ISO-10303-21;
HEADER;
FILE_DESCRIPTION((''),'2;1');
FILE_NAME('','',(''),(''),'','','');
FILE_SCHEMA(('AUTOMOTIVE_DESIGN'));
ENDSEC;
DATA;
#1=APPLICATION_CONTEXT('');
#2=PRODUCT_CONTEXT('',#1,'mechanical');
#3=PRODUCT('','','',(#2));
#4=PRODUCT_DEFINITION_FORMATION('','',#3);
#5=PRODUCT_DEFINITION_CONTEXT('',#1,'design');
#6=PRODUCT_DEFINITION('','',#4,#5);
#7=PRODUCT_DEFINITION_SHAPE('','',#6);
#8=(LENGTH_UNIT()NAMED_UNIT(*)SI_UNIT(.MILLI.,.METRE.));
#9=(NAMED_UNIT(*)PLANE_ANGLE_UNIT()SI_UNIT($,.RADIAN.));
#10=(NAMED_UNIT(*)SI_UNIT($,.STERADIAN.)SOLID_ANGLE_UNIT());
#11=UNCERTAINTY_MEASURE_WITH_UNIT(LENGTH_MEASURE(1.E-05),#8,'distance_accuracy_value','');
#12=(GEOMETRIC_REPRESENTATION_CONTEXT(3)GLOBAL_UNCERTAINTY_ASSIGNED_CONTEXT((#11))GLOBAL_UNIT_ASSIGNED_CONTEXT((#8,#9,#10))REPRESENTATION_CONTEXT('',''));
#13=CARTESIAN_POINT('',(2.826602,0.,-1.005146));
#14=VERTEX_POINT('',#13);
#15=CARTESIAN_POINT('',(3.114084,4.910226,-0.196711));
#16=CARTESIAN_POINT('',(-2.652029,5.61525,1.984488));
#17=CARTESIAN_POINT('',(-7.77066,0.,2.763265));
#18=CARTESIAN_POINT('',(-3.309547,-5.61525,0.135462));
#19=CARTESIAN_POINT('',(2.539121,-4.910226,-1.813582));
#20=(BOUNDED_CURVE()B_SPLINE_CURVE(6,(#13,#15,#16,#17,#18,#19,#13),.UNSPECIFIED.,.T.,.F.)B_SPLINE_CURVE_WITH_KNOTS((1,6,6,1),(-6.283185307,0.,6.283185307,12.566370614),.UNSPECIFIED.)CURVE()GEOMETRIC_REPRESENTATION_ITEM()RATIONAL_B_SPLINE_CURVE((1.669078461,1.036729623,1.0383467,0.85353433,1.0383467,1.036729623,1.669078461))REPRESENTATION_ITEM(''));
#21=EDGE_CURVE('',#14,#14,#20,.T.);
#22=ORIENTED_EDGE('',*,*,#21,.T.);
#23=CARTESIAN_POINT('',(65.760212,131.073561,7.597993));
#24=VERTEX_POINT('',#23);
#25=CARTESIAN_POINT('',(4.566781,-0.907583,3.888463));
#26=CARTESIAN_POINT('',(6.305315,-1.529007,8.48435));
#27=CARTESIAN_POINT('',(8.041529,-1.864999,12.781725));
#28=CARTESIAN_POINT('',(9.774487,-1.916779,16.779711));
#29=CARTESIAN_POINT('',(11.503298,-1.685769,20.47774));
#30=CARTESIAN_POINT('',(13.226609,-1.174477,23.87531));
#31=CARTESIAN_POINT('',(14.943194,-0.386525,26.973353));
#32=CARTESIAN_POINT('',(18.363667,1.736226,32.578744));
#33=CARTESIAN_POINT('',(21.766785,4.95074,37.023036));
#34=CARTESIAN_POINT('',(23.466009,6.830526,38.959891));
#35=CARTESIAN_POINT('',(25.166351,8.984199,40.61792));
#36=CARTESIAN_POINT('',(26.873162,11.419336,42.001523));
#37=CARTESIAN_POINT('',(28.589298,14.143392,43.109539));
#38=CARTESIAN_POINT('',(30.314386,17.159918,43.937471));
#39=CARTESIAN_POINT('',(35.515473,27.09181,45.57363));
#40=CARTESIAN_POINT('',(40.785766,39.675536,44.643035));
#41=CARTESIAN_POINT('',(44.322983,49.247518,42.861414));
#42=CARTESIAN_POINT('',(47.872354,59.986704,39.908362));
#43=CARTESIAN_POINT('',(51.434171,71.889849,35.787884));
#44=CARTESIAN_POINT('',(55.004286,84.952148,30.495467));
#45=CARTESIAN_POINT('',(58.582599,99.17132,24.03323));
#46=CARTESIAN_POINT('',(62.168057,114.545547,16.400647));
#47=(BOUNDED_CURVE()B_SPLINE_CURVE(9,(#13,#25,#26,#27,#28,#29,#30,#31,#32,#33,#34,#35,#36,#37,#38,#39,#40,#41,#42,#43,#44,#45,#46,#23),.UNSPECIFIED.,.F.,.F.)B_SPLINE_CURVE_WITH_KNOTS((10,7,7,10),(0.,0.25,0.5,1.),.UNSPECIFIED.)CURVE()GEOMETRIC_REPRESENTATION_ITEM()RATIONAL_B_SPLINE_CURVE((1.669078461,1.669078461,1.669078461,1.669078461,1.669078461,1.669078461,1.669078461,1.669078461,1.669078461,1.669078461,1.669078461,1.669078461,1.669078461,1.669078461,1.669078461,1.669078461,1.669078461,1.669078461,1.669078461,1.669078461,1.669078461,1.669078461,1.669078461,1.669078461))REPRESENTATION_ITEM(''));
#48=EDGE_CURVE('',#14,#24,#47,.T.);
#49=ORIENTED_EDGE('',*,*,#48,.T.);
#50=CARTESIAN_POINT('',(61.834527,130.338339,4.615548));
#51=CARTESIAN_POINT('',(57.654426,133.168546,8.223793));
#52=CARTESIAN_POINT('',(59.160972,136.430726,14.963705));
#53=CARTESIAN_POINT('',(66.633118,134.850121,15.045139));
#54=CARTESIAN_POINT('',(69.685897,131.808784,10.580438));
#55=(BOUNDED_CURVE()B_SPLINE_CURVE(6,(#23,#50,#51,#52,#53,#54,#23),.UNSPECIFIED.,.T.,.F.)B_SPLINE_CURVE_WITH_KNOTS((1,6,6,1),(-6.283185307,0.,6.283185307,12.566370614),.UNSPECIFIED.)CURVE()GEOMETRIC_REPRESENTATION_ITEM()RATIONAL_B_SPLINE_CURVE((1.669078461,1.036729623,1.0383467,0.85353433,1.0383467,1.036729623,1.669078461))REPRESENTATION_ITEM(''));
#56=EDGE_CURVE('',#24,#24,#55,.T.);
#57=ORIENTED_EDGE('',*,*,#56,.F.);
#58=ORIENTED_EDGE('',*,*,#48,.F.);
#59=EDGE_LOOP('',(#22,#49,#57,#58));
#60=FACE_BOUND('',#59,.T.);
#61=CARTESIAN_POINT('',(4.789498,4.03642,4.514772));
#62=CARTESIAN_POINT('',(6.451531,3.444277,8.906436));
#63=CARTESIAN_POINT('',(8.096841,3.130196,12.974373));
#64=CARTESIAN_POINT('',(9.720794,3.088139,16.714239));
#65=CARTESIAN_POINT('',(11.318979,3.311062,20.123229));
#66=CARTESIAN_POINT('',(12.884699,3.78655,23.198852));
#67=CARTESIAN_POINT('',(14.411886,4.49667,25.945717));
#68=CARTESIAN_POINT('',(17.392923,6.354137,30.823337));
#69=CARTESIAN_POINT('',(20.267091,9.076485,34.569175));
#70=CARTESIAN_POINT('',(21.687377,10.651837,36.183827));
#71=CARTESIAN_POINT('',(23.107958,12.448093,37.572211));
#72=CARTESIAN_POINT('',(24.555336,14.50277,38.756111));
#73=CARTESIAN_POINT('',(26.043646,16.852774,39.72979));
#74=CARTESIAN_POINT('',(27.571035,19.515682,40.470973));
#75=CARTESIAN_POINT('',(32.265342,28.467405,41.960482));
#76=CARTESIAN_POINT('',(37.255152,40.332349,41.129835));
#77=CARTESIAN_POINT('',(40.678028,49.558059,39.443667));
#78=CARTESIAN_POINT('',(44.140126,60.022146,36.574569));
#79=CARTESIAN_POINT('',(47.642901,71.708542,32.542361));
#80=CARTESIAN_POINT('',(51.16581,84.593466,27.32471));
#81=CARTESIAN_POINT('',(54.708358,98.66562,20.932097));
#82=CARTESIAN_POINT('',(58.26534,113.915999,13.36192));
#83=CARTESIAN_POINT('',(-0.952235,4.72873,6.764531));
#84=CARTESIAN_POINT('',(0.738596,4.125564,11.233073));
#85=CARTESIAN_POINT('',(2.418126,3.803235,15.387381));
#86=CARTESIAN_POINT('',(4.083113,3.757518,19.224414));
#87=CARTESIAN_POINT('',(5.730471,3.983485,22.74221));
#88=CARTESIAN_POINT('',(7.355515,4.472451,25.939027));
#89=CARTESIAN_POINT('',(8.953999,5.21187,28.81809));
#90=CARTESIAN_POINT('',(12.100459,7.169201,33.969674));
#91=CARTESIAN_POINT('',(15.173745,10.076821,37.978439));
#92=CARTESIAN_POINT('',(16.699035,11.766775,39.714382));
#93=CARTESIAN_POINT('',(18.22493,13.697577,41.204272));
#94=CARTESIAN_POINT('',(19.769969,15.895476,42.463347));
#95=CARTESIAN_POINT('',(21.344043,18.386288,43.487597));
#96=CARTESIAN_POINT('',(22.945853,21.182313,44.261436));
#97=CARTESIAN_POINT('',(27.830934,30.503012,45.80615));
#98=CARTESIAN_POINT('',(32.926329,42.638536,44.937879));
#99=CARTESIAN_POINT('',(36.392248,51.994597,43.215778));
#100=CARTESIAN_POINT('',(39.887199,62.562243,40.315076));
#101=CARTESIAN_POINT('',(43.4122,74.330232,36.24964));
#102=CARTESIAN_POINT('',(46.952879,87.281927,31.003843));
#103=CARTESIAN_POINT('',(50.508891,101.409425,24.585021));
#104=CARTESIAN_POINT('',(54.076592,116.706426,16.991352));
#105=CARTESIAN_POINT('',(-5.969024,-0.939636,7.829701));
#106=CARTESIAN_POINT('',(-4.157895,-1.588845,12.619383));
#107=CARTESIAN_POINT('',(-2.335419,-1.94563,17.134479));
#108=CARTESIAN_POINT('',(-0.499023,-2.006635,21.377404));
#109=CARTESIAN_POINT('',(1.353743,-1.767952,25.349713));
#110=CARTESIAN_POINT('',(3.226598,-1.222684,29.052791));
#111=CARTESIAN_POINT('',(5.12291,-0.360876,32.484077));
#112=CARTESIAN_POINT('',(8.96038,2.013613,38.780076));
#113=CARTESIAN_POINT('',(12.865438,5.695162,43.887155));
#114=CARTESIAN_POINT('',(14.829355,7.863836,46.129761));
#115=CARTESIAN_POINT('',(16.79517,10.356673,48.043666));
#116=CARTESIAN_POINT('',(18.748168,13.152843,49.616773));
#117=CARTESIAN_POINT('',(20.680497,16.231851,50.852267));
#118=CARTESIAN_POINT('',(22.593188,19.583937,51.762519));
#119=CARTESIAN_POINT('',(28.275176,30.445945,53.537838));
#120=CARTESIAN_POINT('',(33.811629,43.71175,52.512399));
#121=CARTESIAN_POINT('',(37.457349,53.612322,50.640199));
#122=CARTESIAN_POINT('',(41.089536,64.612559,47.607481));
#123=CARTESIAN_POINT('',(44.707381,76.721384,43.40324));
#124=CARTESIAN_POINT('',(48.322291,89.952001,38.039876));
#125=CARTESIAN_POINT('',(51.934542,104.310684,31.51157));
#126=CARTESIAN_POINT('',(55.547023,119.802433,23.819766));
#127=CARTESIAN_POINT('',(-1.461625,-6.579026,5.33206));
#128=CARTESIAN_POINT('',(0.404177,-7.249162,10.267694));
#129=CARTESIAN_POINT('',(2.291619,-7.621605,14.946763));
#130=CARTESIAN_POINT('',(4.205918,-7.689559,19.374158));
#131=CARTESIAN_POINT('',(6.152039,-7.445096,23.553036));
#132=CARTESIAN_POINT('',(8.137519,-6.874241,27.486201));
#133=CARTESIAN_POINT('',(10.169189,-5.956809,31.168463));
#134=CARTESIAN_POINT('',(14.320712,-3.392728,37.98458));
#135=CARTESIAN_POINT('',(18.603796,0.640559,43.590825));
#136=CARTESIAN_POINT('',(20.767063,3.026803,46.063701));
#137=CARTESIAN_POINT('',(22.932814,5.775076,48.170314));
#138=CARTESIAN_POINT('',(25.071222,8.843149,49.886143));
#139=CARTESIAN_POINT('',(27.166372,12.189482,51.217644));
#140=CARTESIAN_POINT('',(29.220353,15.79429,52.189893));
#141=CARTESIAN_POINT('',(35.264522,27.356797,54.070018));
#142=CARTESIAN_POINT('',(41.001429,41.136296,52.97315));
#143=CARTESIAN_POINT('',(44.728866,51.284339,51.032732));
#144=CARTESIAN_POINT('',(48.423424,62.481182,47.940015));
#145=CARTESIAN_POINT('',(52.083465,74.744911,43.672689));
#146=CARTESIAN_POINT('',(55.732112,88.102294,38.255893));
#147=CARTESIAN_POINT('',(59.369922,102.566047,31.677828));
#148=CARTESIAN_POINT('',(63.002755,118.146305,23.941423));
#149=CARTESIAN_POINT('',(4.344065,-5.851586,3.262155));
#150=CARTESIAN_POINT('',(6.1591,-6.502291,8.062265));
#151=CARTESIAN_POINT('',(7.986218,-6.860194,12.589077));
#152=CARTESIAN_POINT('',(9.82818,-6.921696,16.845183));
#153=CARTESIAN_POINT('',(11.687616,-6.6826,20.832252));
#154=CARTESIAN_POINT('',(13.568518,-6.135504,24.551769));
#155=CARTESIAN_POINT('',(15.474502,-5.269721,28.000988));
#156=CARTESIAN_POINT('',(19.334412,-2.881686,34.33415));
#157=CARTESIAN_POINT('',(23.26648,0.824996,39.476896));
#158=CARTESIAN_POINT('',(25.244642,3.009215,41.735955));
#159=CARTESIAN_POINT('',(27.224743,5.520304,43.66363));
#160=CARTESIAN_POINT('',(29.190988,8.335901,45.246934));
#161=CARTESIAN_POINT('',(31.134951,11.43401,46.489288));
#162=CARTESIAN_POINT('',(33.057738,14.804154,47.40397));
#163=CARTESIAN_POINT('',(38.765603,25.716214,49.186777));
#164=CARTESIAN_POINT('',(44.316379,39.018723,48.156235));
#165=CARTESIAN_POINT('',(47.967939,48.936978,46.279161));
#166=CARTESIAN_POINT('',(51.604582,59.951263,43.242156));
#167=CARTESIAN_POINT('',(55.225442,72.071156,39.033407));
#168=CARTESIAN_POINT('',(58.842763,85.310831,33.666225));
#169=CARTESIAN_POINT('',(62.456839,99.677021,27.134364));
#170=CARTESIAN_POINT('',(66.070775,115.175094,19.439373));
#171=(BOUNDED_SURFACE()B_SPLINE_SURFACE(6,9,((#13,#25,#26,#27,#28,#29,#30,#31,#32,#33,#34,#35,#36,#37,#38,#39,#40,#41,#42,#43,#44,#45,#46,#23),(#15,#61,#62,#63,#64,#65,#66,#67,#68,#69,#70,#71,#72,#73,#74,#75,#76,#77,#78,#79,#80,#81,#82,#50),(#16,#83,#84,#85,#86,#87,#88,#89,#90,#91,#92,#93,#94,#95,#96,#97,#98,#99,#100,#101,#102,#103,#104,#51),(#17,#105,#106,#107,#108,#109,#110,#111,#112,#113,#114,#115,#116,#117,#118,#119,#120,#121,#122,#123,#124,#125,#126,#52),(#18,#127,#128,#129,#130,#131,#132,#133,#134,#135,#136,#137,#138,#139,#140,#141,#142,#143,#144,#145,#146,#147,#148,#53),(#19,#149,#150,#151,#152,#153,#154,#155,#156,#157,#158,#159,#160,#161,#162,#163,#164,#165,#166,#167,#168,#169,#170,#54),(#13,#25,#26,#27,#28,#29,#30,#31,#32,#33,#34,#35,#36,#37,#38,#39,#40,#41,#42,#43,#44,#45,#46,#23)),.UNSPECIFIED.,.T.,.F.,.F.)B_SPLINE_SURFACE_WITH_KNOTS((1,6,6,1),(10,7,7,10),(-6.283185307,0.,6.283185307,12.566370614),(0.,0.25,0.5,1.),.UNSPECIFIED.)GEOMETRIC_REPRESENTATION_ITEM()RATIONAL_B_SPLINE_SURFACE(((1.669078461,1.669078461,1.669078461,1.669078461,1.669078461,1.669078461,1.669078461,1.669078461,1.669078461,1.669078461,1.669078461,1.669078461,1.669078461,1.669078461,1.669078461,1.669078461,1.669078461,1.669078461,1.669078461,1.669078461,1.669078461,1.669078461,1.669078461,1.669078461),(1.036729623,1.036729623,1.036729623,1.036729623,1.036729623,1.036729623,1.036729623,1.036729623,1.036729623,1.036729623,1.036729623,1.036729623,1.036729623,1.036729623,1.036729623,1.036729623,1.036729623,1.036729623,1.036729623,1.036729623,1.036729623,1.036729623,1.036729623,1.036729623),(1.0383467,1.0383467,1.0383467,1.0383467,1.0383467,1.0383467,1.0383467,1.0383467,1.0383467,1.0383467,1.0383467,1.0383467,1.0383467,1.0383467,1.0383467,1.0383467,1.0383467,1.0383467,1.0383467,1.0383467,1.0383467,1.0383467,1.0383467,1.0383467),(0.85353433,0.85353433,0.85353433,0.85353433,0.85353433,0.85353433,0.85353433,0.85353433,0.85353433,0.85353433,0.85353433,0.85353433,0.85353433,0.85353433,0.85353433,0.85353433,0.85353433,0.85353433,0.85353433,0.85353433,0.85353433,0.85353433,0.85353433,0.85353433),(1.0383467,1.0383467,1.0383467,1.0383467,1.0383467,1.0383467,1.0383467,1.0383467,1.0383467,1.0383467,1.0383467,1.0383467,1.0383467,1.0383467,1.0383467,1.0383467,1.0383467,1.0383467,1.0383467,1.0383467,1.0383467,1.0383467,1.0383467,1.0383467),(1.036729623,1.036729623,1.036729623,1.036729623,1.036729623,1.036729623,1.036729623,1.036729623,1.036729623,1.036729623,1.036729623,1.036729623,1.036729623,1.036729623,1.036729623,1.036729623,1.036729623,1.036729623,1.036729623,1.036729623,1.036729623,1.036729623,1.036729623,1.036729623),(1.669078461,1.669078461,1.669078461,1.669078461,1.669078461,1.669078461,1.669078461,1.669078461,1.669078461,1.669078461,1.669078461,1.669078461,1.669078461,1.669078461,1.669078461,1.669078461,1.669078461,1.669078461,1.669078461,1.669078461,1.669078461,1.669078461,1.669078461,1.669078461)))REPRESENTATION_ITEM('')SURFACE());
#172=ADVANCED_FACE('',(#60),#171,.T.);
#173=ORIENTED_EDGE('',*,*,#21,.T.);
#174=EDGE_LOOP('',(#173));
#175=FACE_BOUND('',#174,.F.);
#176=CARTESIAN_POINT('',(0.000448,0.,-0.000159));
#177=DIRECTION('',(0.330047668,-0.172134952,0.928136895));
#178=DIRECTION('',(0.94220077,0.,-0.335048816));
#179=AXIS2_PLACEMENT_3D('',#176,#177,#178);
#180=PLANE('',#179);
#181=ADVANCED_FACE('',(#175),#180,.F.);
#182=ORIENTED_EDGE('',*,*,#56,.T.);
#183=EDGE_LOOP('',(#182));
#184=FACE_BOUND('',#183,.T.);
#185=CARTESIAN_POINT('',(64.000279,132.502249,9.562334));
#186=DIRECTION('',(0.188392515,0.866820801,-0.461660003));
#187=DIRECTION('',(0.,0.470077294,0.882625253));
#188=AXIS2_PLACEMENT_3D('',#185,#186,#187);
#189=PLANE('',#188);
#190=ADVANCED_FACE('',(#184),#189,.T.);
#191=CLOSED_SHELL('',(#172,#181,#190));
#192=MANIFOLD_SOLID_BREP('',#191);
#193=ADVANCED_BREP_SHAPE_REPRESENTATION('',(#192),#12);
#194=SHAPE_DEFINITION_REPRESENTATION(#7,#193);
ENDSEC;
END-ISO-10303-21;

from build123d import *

# Parameters (mm, degrees)
SWEEP_1_PROFILE_R = 3


with BuildPart() as part:
    # 扫描1: sweep along a curve in space
    with BuildLine() as sweep_1_path:
        add(Edge.make_bspline(
            [(0, 0, 0), (31.618290267, -16.490384309, 88.914737371), (64, 132.50247531, 9.562645318)],
            knots=[0, 0, 0, 1, 1, 1], degree=2))
    # 扫描1 profile (on start of the path) → 扫描1 (sweep)
    with BuildSketch(Plane(origin=(0, 0, 0), x_dir=(0.94220077, 0, -0.335048816), z_dir=(0.330047668, -0.172134952, 0.928136894))):
        Circle(SWEEP_1_PROFILE_R)
    sweep(path=sweep_1_path.line)


solid = part.part
